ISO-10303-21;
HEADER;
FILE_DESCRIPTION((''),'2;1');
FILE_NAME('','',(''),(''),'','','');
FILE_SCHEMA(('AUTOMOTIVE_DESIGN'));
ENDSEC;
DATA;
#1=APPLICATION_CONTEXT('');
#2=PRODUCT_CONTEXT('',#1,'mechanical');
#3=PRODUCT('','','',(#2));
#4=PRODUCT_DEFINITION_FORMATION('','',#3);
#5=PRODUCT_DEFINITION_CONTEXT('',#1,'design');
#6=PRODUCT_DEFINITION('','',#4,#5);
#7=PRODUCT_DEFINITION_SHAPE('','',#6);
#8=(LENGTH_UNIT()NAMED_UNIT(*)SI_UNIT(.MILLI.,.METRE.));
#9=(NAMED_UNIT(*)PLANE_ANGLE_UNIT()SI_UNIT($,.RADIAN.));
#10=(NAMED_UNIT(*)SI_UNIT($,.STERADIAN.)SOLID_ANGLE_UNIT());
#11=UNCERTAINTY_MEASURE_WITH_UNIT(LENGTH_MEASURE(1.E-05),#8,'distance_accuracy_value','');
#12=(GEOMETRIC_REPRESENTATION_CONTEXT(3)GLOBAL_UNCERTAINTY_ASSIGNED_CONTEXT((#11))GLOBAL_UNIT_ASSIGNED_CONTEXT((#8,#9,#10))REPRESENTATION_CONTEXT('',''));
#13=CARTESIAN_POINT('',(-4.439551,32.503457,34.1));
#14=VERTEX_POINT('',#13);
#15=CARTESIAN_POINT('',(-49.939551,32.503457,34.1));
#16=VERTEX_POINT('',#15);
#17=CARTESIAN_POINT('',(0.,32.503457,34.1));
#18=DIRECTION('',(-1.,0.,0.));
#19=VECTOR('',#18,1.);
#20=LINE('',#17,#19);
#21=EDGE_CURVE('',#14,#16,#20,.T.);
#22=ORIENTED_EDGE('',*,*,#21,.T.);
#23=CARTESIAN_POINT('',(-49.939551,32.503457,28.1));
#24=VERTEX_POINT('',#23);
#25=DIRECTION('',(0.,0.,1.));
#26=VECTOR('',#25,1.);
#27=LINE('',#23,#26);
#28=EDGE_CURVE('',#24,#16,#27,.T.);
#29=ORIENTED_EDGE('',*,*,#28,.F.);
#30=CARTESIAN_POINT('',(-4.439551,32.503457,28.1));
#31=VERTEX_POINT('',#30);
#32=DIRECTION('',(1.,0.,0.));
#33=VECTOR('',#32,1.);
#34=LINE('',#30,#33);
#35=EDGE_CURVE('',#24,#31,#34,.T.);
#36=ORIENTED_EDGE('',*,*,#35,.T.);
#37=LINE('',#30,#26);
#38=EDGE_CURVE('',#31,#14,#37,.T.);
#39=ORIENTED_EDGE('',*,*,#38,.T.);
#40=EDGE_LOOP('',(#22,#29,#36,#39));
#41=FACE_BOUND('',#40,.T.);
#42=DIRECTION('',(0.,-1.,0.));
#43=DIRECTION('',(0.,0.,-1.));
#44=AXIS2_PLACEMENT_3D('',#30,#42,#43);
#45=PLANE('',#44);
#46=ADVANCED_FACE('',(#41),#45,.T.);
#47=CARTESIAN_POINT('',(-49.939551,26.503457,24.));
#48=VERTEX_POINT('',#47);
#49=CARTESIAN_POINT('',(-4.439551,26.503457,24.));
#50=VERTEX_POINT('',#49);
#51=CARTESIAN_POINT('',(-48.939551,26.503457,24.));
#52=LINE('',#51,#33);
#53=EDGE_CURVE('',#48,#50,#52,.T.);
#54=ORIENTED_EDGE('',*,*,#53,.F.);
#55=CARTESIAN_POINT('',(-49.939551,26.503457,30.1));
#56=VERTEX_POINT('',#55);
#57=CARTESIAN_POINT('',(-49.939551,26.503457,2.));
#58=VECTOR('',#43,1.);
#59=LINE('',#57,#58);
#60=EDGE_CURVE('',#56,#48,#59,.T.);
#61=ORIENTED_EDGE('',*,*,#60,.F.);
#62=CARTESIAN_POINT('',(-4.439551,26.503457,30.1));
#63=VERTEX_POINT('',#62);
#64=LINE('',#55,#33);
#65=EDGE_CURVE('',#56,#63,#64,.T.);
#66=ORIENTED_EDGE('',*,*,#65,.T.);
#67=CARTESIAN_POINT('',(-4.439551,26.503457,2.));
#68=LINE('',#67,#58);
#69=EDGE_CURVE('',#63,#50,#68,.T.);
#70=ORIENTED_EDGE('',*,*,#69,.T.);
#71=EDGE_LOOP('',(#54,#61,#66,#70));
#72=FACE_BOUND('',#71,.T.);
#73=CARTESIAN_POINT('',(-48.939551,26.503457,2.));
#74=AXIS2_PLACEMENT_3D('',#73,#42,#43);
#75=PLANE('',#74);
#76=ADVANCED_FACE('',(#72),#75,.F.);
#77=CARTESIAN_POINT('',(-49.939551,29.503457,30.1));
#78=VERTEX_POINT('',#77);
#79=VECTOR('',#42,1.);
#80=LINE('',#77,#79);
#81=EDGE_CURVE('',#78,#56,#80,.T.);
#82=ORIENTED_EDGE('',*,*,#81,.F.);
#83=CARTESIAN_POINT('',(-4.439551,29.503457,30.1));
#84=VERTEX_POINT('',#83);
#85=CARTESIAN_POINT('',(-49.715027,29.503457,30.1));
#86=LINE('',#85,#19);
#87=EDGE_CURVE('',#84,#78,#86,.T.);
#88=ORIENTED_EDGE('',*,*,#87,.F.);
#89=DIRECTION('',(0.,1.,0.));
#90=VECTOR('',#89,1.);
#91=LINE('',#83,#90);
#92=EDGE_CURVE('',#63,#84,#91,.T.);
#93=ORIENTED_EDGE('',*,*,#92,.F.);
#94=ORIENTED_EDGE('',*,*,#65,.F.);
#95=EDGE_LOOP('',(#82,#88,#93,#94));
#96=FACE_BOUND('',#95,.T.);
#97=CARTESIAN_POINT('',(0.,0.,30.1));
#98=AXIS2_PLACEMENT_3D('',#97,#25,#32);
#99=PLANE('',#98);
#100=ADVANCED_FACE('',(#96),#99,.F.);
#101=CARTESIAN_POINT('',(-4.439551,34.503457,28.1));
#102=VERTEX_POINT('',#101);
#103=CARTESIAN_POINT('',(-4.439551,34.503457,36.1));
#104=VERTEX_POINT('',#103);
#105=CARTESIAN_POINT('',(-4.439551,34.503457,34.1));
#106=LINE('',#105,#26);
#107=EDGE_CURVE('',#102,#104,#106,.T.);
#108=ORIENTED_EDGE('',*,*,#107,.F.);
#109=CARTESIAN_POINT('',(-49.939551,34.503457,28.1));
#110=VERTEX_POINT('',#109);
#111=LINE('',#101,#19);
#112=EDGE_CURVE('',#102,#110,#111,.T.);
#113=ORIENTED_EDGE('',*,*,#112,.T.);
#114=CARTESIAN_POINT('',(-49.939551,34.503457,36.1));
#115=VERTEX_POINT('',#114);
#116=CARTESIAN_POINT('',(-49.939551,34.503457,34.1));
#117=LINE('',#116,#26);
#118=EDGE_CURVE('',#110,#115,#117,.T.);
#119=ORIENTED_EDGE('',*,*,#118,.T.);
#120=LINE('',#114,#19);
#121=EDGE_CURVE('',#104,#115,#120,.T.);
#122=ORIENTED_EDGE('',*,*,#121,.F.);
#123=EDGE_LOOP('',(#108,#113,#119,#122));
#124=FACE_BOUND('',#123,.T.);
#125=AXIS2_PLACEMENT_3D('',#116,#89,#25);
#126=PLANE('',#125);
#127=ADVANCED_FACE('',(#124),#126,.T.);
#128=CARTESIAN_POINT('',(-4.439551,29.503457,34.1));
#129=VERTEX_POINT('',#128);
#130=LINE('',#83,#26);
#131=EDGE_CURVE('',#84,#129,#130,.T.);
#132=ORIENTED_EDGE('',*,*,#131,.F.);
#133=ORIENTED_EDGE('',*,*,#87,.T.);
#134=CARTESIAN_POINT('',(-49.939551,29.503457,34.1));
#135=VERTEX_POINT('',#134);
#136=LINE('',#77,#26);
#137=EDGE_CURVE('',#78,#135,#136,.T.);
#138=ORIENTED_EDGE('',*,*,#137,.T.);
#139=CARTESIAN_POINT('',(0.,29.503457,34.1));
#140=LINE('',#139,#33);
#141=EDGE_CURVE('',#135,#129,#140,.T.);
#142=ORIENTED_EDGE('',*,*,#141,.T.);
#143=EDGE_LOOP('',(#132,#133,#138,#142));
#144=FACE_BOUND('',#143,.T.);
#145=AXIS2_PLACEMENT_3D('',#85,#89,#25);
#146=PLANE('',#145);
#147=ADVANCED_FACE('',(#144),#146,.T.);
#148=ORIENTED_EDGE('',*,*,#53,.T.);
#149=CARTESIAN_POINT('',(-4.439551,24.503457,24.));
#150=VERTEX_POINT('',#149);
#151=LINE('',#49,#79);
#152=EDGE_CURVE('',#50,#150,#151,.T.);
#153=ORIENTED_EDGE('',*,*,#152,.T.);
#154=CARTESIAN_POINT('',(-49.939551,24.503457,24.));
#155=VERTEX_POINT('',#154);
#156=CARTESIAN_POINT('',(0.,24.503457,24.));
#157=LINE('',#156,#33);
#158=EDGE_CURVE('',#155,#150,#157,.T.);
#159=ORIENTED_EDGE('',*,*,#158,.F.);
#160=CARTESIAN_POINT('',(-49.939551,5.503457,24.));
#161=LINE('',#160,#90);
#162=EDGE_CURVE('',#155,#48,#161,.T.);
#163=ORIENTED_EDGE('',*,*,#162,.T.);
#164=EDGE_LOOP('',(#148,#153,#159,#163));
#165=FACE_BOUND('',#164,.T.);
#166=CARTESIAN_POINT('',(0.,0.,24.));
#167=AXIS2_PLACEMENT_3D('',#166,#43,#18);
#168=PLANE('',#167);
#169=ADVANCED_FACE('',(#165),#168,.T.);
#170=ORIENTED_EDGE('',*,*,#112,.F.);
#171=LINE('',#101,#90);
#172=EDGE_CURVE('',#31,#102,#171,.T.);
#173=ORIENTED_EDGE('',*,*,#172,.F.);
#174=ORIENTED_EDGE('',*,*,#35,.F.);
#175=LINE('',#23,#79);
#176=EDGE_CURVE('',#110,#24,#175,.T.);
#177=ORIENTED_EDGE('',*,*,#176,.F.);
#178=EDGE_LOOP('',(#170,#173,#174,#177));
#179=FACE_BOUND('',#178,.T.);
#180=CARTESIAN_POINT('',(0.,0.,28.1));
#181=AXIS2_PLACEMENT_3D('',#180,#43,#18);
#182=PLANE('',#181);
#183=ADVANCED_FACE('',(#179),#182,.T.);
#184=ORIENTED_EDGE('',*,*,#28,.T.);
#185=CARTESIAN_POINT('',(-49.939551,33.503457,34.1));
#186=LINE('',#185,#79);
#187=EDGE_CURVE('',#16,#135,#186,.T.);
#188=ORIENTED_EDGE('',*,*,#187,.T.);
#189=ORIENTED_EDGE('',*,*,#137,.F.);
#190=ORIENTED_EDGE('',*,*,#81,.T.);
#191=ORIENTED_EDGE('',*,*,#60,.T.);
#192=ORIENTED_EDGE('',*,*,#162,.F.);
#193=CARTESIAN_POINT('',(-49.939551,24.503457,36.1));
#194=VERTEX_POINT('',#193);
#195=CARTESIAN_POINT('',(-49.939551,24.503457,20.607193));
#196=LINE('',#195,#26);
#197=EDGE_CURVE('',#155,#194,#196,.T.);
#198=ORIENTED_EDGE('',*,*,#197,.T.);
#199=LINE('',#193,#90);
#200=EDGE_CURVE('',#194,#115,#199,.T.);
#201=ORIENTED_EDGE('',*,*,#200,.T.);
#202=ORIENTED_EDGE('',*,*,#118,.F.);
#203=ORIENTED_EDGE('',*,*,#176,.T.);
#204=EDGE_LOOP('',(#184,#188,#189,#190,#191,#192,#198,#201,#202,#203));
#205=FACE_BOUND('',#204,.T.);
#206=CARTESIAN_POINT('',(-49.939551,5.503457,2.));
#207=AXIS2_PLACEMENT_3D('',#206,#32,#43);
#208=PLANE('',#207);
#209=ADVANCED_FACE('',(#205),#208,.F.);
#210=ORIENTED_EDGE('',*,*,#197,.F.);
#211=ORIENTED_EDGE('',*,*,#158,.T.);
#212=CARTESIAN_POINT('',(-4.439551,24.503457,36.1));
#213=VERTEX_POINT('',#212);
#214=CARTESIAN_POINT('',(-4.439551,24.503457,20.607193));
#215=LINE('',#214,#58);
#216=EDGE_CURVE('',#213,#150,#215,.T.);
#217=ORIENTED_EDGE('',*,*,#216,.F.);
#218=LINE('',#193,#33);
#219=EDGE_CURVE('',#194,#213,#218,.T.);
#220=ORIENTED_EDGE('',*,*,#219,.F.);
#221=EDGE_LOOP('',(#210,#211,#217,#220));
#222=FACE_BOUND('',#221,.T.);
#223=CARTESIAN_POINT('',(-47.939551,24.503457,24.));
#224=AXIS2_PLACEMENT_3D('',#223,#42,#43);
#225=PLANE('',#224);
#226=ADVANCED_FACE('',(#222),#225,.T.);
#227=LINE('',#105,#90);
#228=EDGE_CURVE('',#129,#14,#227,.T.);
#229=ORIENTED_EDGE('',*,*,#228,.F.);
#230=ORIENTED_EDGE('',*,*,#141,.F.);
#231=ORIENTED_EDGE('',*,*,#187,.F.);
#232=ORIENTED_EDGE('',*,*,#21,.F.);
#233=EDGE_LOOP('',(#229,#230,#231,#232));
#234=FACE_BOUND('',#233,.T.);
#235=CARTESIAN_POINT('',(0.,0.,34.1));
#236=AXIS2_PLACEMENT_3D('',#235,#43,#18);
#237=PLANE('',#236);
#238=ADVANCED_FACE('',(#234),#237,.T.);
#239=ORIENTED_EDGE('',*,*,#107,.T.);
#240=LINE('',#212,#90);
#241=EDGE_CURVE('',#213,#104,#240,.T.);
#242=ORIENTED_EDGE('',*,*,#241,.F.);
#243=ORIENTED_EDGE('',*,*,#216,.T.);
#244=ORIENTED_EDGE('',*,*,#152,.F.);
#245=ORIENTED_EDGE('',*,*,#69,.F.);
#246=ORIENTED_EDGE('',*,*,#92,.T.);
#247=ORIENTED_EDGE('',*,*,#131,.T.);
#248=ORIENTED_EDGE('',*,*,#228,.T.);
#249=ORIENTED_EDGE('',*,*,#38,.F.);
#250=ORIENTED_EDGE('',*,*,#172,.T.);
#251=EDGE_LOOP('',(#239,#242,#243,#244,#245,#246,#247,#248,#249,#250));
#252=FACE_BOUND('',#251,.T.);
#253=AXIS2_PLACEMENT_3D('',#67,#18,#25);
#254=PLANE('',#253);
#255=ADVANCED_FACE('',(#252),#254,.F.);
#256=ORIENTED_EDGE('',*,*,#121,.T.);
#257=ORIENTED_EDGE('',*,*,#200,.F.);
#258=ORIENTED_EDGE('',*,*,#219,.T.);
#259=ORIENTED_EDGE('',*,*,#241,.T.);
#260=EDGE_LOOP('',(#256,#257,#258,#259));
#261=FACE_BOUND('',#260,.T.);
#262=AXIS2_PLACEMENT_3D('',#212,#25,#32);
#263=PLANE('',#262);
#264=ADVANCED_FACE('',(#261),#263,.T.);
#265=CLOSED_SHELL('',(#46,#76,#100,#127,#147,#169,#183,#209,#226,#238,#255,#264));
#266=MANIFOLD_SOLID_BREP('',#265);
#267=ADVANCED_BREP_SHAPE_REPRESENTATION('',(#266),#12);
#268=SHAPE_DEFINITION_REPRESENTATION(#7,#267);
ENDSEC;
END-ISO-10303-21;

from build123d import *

# Parameters (mm, degrees)
SALIENTE_EXTRUIR1_DEPTH = 2
SALIENTE_EXTRUIR2_DEPTH = 24
CROQUIS4_W              = 26.838471133
CROQUIS4_H              = 17.040828642
CORTAR_EXTRUIR1_DEPTH   = 70.1
SALIENTE_EXTRUIR3_DEPTH = 2
SALIENTE_EXTRUIR4_DEPTH = 2
CROQUIS7_W              = 45.5
CROQUIS7_H              = 2
SALIENTE_EXTRUIR5_DEPTH = 8
SALIENTE_EXTRUIR6_DEPTH = 6
CROQUIS9_W              = 76.962380363
CROQUIS9_H              = 58.957858246
CORTAR_EXTRUIR2_DEPTH   = 39


with BuildPart() as part:
    # Croquis1 → Saliente-Extruir1 (new body)
    with BuildSketch(Plane.XY):
        Polygon((-48.939551095, 26.503456625), (-8.439551095, 26.503456625), (-4.439551095, 26.503456625), (-4.439551095, 1.503456625), (-8.439551095, 1.503456625), (-49.939551095, 1.503456625), (-49.939551095, 5.503456625), (-49.939551095, 26.503456625), align=None)
    extrude(amount=SALIENTE_EXTRUIR1_DEPTH)

    # Croquis3 → Saliente-Extruir2 (add)
    with BuildSketch(Plane.XY):
        Polygon((-48.939551095, 26.503456625), (-8.439551095, 26.503456625), (-4.439551095, 26.503456625), (-4.439551095, 1.503456625), (-49.939551095, 1.503456625), (-49.939551095, 26.503456625), align=None)
        Polygon((-10.439551095, 3.503456625), (-47.939551095, 3.503456625), (-47.939551095, 5.503456625), (-47.939551095, 24.503456625), (-10.439551095, 24.503456625), (-6.439551095, 24.503456625), (-6.439551095, 3.503456625), align=None, mode=Mode.SUBTRACT)
    extrude(amount=SALIENTE_EXTRUIR2_DEPTH)

    # Croquis4 → Cortar-Extruir1 (cut)
    with BuildSketch(Plane(origin=(0, 0, 0), x_dir=(0, 0, -1), z_dir=(1, 0, 0))):
        with Locations((-15.419235567, 13.92807924)):
            Rectangle(CROQUIS4_W, CROQUIS4_H)
    extrude(amount=-CORTAR_EXTRUIR1_DEPTH, mode=Mode.SUBTRACT)

    # Croquis5 → Saliente-Extruir3 (add)
    with BuildSketch(Plane(origin=(0, 26.503456625, 0), x_dir=(1, 0, 0), z_dir=(0, 1, 0))):
        Polygon((-49.939551095, -20.607192887), (-4.439551095, -20.607192887), (-4.439551095, -36.1), (-8.439551095, -36.1), (-48.939551095, -36.1), (-49.939551095, -36.1), align=None)
    extrude(amount=-SALIENTE_EXTRUIR3_DEPTH)

    # Croquis6 → Saliente-Extruir4 (add)
    with BuildSketch(Plane.XY.offset(36.1)):
        Polygon((-4.439551095, 24.503456625), (-49.939551095, 24.503456625), (-49.939551095, 33.503456625), (-49.939551095, 34.503456625), (-4.439551095, 34.503456625), (-4.439551095, 33.503456625), align=None)
    extrude(amount=-SALIENTE_EXTRUIR4_DEPTH)

    # Croquis7 → Saliente-Extruir5 (add)
    with BuildSketch(Plane.XY.offset(36.1)):
        with Locations((-27.189551095, 33.503456625)):
            Rectangle(CROQUIS7_W, CROQUIS7_H)
    extrude(amount=-SALIENTE_EXTRUIR5_DEPTH)

    # Croquis8 → Saliente-Extruir6 (add)
    with BuildSketch(Plane.XY.offset(36.1)):
        Polygon((-49.939551095, 29.503456625), (-49.939551095, 26.503456625), (-49.715027183, 26.503456625), (-8.439551095, 26.503456625), (-4.439551095, 26.503456625), (-4.439551095, 29.503456625), (-8.439551095, 29.503456625), (-49.715027183, 29.503456625), align=None)
    extrude(amount=-SALIENTE_EXTRUIR6_DEPTH)

    # Croquis9 → Cortar-Extruir2 (cut)
    with BuildSketch(Plane.XY.offset(24)):
        with Locations((-25.38769132, 23.863692023)):
            Rectangle(CROQUIS9_W, CROQUIS9_H)
    extrude(amount=-CORTAR_EXTRUIR2_DEPTH, mode=Mode.SUBTRACT)


solid = part.part
